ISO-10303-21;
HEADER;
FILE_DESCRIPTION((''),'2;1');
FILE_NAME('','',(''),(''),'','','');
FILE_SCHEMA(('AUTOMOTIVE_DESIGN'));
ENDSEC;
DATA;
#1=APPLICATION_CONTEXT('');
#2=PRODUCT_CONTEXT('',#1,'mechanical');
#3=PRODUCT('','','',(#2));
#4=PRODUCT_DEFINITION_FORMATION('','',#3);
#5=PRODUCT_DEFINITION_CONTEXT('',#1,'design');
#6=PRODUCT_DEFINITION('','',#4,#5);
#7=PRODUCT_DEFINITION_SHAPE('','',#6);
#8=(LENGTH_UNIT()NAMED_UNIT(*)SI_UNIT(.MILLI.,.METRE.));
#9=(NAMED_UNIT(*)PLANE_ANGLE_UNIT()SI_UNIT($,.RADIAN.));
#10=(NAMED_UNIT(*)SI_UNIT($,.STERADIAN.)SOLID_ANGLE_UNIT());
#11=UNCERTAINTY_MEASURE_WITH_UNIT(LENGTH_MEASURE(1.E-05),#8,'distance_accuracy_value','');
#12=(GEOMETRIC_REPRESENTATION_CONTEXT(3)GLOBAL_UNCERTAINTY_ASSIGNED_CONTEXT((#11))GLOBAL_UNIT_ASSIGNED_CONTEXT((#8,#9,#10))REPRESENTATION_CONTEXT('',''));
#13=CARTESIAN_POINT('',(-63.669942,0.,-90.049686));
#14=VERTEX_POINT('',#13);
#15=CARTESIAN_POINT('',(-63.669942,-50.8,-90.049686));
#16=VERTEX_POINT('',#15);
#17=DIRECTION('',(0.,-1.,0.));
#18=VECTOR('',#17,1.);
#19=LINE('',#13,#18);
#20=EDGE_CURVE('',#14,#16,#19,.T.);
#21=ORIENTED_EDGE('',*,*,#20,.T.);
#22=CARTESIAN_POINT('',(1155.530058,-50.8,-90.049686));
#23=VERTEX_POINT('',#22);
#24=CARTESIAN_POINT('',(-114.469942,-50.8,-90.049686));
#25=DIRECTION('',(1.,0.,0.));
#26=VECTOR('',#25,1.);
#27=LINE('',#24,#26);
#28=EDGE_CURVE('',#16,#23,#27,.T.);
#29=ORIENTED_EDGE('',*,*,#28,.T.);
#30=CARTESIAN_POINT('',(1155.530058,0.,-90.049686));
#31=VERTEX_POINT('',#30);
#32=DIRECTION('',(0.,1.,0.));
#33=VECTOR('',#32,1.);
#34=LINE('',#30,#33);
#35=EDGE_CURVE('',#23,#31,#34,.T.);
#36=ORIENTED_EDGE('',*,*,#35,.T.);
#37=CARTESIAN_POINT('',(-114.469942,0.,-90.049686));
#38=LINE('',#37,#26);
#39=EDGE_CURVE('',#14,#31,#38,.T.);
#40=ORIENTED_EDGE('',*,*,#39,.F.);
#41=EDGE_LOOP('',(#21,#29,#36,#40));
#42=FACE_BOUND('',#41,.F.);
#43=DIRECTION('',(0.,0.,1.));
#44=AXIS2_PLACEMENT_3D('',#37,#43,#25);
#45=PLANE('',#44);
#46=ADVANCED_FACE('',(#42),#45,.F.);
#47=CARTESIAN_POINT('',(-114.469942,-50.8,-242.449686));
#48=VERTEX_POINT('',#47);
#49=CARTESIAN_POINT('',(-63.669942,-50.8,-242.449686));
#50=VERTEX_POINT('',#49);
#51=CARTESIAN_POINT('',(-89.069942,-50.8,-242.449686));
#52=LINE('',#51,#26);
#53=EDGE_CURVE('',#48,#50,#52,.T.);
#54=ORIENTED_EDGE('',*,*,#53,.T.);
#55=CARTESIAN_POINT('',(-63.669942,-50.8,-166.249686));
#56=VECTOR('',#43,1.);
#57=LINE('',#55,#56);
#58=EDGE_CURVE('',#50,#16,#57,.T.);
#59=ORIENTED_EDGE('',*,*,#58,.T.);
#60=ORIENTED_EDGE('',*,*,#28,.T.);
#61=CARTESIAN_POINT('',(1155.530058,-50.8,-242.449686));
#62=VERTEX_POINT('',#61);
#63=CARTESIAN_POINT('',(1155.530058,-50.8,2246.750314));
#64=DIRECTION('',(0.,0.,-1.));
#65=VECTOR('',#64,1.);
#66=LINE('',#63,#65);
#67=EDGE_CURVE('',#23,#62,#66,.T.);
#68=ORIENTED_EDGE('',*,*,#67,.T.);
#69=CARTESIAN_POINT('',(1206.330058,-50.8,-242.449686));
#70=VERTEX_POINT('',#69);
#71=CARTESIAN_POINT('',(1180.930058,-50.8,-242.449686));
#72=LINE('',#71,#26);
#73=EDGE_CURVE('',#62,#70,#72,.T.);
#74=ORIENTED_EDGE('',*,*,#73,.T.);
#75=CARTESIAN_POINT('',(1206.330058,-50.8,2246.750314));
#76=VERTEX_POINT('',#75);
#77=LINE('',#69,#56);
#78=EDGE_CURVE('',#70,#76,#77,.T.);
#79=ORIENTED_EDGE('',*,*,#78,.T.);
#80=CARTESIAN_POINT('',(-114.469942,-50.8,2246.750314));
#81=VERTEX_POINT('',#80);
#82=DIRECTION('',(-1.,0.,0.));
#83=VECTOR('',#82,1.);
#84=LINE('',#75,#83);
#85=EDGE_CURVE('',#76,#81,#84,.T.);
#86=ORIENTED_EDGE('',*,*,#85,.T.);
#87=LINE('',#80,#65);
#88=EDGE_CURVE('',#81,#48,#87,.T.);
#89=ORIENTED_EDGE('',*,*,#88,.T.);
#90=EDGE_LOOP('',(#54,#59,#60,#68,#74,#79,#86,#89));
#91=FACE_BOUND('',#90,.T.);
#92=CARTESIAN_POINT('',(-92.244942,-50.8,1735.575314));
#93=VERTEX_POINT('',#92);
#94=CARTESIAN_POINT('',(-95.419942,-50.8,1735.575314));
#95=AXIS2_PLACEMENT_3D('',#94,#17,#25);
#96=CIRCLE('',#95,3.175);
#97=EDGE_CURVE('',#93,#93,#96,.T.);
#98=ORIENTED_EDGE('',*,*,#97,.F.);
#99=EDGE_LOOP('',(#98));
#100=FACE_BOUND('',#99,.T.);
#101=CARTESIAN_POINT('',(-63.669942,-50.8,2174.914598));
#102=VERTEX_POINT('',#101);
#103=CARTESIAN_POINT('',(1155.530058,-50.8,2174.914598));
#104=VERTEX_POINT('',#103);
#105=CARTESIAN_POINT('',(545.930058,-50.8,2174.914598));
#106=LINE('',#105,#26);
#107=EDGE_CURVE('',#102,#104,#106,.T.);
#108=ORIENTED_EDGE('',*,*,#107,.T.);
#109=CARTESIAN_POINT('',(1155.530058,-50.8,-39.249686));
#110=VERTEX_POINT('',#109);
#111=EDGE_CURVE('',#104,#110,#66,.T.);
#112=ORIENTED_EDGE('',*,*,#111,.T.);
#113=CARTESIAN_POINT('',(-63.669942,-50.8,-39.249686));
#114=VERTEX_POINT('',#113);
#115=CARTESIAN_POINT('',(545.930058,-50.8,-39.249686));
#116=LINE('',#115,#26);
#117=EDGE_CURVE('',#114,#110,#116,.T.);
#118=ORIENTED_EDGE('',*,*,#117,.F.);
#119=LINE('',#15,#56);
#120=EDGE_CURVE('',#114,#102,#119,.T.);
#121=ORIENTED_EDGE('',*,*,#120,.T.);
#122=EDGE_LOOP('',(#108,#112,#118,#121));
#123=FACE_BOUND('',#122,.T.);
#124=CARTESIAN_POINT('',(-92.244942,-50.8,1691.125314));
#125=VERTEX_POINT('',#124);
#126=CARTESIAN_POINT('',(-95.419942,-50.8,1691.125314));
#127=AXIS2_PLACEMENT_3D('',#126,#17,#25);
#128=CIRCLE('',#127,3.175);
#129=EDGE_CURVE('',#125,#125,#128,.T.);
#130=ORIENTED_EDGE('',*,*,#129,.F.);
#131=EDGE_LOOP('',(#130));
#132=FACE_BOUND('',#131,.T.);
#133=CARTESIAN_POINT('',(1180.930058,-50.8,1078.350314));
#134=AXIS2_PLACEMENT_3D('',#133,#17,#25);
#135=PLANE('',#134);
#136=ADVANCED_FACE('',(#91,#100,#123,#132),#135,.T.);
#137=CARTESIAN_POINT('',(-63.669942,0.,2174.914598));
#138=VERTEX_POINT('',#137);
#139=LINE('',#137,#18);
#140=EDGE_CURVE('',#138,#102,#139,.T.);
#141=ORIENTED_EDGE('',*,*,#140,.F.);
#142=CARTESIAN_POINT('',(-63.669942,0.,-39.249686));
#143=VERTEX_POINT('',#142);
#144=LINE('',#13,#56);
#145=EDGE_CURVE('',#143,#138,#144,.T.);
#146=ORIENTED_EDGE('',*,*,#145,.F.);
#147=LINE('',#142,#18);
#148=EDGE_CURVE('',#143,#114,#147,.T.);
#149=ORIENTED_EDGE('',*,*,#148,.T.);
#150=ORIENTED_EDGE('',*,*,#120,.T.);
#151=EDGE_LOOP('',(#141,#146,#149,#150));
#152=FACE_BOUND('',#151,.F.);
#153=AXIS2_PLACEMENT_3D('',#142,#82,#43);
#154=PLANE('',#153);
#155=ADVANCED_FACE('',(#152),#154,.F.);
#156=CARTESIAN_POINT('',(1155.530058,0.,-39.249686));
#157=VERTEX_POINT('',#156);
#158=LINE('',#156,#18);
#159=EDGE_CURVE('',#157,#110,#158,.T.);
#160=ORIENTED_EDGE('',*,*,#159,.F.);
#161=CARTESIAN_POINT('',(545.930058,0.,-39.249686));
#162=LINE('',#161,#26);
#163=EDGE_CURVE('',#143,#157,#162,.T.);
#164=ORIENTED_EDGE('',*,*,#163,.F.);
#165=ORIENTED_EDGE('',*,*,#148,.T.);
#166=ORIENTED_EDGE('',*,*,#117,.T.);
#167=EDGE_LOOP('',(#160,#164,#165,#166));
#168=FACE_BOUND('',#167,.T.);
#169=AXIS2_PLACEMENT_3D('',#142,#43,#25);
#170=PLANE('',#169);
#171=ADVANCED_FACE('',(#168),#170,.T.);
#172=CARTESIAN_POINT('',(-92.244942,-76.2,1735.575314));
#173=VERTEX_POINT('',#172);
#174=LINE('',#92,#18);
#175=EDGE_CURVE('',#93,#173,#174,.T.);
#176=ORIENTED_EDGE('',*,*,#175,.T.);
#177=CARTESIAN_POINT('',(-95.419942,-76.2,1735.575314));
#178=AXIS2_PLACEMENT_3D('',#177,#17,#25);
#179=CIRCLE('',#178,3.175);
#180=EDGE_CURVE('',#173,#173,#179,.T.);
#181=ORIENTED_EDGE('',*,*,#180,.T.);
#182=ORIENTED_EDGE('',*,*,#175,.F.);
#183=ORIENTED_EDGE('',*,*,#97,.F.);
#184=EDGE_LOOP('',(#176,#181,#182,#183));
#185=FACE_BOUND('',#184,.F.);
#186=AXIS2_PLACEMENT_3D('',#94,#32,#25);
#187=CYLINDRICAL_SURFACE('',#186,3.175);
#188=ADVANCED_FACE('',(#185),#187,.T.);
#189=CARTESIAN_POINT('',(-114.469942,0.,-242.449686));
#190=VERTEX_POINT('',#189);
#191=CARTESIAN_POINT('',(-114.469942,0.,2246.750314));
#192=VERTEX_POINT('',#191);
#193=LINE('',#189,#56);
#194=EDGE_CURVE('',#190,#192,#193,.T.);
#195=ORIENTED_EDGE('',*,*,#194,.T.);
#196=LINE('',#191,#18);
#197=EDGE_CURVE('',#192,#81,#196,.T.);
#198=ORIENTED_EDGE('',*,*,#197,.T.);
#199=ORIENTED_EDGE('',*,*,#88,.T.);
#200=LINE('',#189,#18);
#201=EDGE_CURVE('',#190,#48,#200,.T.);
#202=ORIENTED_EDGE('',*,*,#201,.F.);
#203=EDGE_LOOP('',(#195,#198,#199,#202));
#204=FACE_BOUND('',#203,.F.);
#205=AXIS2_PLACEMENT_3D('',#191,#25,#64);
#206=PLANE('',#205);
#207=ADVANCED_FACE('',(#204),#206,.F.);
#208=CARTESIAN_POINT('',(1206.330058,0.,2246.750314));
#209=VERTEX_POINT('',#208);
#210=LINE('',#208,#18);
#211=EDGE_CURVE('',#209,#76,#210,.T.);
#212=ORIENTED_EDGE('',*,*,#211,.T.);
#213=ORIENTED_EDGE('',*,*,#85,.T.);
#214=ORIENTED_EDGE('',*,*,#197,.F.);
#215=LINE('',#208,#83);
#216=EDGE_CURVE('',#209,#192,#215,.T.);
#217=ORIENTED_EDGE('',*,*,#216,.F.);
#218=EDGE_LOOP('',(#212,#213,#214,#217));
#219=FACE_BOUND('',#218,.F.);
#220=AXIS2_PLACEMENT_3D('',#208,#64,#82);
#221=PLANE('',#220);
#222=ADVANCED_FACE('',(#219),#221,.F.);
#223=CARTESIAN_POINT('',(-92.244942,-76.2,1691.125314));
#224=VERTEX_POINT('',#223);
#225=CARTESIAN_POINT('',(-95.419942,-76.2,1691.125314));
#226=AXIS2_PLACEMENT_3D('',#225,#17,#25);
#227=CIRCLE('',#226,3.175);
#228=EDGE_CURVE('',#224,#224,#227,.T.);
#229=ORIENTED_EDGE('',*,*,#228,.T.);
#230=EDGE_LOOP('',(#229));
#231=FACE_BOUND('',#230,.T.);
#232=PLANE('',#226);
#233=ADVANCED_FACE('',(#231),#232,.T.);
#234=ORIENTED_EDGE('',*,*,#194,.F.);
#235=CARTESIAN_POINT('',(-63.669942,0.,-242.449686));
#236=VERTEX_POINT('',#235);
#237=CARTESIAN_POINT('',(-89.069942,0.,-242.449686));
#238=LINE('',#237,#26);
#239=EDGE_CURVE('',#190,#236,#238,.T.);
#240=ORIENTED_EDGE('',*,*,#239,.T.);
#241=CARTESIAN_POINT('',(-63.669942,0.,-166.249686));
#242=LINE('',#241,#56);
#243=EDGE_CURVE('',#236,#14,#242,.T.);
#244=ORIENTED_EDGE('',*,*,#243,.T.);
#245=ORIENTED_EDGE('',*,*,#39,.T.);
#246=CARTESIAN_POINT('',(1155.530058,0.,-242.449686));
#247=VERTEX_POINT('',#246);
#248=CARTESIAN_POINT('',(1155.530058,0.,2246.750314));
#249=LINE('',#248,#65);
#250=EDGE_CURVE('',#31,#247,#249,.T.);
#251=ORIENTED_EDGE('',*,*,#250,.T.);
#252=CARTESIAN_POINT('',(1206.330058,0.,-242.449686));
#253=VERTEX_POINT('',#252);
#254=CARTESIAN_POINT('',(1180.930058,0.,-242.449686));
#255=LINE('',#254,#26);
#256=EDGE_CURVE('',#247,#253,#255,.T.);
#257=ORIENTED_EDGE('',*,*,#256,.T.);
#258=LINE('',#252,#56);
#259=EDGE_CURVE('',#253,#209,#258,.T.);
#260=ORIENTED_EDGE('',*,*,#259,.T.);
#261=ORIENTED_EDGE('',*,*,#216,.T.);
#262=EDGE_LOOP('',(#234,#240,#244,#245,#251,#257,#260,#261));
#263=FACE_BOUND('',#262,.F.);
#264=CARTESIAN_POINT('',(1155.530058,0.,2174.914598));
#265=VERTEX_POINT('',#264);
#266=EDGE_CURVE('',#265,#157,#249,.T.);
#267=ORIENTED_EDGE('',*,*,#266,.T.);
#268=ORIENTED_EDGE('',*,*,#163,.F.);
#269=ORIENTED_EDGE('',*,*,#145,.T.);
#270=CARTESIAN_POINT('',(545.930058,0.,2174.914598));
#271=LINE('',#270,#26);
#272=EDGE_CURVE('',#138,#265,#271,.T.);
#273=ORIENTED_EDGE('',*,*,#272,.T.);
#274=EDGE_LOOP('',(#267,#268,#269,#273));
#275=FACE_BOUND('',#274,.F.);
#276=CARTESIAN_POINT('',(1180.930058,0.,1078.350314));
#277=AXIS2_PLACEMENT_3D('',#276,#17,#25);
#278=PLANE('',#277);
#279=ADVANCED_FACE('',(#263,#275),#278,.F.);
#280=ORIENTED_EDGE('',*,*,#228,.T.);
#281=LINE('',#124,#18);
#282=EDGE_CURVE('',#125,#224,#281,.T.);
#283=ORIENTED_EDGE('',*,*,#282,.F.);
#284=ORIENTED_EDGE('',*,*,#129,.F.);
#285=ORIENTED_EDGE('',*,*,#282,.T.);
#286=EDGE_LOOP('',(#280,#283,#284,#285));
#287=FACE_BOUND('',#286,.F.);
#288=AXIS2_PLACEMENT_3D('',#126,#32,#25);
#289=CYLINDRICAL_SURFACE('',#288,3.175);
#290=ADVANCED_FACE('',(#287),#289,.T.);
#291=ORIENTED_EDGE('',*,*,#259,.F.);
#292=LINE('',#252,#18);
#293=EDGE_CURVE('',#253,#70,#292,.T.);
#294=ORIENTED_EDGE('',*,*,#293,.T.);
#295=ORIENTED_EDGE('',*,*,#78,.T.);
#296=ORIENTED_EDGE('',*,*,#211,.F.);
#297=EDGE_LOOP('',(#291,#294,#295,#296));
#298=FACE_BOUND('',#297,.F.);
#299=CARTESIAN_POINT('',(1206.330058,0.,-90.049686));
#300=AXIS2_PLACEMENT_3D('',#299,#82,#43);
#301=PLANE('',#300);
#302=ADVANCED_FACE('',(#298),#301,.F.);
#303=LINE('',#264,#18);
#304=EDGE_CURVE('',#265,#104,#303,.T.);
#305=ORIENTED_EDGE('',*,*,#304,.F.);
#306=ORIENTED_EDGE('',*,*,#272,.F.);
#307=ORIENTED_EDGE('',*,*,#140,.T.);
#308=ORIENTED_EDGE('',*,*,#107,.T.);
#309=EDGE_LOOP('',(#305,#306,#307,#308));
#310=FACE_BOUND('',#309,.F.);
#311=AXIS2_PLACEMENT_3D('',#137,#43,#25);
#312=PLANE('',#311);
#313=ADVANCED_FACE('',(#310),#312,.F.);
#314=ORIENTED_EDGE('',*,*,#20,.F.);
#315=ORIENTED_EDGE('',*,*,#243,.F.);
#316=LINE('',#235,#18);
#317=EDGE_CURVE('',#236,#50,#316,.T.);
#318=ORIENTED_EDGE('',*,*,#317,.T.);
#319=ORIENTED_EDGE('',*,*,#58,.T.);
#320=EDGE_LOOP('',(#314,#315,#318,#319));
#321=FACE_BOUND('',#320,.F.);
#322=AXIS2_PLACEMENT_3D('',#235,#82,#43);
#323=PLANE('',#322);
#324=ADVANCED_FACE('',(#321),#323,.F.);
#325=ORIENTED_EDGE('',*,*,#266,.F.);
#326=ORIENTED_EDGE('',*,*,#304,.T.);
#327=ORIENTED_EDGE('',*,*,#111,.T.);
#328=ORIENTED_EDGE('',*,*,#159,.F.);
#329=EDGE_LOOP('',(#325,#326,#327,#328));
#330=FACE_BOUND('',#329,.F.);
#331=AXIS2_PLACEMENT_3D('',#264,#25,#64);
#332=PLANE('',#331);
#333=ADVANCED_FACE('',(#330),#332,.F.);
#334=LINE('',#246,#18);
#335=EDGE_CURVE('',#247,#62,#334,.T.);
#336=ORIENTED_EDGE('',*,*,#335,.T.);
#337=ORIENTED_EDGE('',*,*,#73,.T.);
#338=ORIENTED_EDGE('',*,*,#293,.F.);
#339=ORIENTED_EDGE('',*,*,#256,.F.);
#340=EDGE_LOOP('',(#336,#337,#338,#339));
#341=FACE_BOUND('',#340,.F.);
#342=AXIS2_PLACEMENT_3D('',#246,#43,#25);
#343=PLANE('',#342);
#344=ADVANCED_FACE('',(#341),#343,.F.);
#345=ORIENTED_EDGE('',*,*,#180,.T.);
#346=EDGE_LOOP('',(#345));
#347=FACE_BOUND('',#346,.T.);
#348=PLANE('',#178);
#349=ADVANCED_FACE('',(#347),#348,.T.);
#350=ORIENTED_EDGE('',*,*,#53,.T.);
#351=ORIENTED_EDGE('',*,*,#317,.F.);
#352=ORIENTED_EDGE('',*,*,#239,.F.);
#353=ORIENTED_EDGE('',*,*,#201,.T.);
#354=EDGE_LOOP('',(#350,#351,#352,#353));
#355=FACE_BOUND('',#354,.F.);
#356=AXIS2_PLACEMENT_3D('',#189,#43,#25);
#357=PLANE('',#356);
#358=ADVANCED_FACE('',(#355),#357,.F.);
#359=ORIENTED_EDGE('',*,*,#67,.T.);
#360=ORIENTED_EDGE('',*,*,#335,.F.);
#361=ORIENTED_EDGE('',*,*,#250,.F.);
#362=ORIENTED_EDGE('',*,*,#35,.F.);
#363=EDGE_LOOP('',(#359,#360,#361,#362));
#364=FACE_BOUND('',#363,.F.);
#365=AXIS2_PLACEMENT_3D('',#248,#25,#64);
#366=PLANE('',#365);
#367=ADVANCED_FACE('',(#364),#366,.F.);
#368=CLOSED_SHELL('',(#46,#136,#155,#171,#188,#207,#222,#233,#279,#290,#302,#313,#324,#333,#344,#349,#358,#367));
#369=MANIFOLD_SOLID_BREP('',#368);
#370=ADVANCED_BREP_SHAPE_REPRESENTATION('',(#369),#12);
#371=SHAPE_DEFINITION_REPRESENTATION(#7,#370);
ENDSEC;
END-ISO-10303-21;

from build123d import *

# Parameters (mm, degrees)
F0_W     = 1219.2
F0_H     = 71.835716
F0_H_2   = 50.8
F1_DEPTH = 50.8
F3_R     = 3.175
F2_R     = 3.175
F4_DEPTH = 25.4
F0_W_2   = 50.8
F0_H_3   = 152.4
F5_DEPTH = 50.8


with BuildPart() as f1:
    # F0 (on Front) → F1 (new body)
    with BuildSketch(Plane.XZ):
        Polygon((1206.330058, 2246.750314), (1155.530058, 2246.750314), (1155.530058, 2174.914598), (1155.530058, -39.249686), (1155.530058, -90.049686), (1206.330058, -90.049686), align=None)
        with Locations((545.930058, 2210.832456)):
            Rectangle(F0_W, F0_H)
        Polygon((-63.669942, 2246.750314), (-114.469942, 2246.750314), (-114.469942, -90.049686), (-63.669942, -90.049686), (-63.669942, -39.249686), (-63.669942, 2174.914598), align=None)
        with Locations((545.930058, -64.649686)):
            Rectangle(F0_W, F0_H_2)
    extrude(amount=F1_DEPTH)

    # F3 (on face) + F2 (on face) → F4 (join)
    with BuildSketch(Plane.XZ.offset(50.8)):
        with Locations((-95.419942, 1691.125314)):
            Circle(F3_R)
        with Locations((-95.419942, 1735.575314)):
            Circle(F3_R)
    with BuildSketch(Plane.XZ.offset(50.8)):
        with Locations((-95.419942, 1735.575314)):
            Circle(F2_R)
    extrude(amount=F4_DEPTH)

    # F0 (on Front) → F5 (join)
    with BuildSketch(Plane.XZ):
        Polygon((1206.330058, 2246.750314), (1155.530058, 2246.750314), (1155.530058, 2174.914598), (1155.530058, -39.249686), (1155.530058, -90.049686), (1206.330058, -90.049686), align=None)
        with Locations((1180.930058, -166.249686)):
            Rectangle(F0_W_2, F0_H_3)
        with Locations((-89.069942, -166.249686)):
            Rectangle(F0_W_2, F0_H_3)
    extrude(amount=F5_DEPTH)


solid = f1.part
